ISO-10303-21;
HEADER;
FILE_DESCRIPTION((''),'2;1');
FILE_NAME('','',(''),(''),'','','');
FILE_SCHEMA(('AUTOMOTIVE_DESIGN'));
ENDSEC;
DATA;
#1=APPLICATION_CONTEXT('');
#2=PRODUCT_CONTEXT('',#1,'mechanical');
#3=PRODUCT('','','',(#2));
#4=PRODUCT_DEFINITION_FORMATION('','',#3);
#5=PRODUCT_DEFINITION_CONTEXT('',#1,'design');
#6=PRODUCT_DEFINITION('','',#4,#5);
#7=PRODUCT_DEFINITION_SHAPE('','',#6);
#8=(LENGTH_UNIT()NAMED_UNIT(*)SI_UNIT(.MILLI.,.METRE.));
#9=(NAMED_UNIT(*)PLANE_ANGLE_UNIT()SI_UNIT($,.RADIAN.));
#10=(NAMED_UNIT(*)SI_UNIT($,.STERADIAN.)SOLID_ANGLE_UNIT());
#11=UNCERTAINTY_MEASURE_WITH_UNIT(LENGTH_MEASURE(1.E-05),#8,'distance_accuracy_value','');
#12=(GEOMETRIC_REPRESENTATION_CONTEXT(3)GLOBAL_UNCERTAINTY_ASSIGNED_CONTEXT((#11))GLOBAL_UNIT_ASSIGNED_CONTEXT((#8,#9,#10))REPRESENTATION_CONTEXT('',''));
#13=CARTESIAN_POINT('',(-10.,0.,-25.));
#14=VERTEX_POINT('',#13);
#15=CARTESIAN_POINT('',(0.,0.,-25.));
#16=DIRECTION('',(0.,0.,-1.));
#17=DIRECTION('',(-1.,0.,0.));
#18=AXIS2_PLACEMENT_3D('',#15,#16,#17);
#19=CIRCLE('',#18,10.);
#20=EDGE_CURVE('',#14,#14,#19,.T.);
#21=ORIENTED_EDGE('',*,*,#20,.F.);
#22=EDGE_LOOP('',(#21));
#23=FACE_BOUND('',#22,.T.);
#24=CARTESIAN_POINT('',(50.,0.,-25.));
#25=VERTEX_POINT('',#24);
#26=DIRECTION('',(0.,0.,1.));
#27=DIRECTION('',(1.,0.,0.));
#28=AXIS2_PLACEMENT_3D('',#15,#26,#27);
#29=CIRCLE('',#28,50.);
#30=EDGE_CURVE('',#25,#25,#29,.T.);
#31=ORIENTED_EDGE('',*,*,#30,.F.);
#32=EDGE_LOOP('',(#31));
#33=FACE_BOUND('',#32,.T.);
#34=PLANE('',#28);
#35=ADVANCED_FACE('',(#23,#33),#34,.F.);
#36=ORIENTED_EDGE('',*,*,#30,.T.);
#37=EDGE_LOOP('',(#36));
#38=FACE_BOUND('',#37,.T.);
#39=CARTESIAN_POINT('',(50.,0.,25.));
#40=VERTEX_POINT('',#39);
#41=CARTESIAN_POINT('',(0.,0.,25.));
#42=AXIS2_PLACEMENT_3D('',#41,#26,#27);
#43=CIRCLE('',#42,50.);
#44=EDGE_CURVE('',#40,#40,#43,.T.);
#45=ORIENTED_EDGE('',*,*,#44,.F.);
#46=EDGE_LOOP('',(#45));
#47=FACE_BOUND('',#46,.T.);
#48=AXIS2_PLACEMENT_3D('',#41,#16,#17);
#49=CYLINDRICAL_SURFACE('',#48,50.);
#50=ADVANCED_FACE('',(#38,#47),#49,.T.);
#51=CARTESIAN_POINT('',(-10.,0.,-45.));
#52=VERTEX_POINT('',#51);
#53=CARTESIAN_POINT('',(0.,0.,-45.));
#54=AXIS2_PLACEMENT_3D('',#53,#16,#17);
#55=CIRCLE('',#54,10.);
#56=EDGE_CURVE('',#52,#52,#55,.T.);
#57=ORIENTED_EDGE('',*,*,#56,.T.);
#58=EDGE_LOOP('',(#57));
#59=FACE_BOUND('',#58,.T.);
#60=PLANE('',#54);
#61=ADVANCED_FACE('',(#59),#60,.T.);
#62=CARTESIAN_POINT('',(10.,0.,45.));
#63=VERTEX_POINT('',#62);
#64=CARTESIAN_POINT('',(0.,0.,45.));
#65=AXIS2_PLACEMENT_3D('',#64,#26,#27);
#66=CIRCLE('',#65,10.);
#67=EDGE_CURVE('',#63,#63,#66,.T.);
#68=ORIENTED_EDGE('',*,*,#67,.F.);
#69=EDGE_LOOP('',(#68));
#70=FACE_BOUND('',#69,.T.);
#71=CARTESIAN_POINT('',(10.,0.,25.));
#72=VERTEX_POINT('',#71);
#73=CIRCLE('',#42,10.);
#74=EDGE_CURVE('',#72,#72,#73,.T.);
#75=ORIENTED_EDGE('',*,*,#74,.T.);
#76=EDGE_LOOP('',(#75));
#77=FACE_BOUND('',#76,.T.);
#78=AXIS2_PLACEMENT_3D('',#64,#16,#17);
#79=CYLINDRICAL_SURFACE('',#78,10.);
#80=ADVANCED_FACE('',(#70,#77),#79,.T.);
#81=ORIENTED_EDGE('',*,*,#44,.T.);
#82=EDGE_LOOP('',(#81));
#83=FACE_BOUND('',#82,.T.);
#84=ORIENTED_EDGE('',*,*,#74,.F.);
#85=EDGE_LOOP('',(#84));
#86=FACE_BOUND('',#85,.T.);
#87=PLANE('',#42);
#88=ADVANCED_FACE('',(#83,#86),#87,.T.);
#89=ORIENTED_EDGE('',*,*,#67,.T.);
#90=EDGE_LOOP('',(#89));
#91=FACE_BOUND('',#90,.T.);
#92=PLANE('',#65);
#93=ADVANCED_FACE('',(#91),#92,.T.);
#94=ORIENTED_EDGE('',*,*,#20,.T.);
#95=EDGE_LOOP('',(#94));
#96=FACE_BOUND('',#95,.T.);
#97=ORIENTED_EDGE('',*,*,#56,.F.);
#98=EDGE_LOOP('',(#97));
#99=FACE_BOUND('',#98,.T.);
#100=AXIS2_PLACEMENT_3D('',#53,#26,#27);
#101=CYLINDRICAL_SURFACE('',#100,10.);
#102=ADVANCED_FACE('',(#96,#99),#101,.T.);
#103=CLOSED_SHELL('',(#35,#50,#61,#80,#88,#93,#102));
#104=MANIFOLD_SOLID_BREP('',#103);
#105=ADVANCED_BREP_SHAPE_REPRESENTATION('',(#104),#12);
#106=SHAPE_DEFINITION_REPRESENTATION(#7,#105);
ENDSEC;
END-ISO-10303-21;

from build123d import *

# Parameters (mm, degrees)
SKETCH1_R           = 50
BOSS_EXTRUDE1_DEPTH = 25
SKETCH2_R           = 10
BOSS_EXTRUDE2_DEPTH = 20
BOSS_EXTRUDE3_START = 20
SKETCH3_R           = 10
BOSS_EXTRUDE3_DEPTH = 20


with BuildPart() as part:
    # Sketch1 → Boss-Extrude1 (new, symmetric)
    with BuildSketch(Plane.XY):
        Circle(SKETCH1_R)
    extrude(amount=BOSS_EXTRUDE1_DEPTH, both=True)

    # Sketch2 → Boss-Extrude2 (add)
    with BuildSketch(Plane(origin=(0, 0, -25), x_dir=(-1, 0, 0), z_dir=(0, 0, -1))):
        Circle(SKETCH2_R)
    extrude(amount=BOSS_EXTRUDE2_DEPTH)

    # Sketch3 → Boss-Extrude3 (add)
    with BuildSketch(Plane.XY.offset(25).offset(BOSS_EXTRUDE3_START)):
        with Locations(Location((0, 0, 0), (0, 0, 180))):
            Circle(SKETCH3_R)
    extrude(amount=-BOSS_EXTRUDE3_DEPTH)


solid = part.part
